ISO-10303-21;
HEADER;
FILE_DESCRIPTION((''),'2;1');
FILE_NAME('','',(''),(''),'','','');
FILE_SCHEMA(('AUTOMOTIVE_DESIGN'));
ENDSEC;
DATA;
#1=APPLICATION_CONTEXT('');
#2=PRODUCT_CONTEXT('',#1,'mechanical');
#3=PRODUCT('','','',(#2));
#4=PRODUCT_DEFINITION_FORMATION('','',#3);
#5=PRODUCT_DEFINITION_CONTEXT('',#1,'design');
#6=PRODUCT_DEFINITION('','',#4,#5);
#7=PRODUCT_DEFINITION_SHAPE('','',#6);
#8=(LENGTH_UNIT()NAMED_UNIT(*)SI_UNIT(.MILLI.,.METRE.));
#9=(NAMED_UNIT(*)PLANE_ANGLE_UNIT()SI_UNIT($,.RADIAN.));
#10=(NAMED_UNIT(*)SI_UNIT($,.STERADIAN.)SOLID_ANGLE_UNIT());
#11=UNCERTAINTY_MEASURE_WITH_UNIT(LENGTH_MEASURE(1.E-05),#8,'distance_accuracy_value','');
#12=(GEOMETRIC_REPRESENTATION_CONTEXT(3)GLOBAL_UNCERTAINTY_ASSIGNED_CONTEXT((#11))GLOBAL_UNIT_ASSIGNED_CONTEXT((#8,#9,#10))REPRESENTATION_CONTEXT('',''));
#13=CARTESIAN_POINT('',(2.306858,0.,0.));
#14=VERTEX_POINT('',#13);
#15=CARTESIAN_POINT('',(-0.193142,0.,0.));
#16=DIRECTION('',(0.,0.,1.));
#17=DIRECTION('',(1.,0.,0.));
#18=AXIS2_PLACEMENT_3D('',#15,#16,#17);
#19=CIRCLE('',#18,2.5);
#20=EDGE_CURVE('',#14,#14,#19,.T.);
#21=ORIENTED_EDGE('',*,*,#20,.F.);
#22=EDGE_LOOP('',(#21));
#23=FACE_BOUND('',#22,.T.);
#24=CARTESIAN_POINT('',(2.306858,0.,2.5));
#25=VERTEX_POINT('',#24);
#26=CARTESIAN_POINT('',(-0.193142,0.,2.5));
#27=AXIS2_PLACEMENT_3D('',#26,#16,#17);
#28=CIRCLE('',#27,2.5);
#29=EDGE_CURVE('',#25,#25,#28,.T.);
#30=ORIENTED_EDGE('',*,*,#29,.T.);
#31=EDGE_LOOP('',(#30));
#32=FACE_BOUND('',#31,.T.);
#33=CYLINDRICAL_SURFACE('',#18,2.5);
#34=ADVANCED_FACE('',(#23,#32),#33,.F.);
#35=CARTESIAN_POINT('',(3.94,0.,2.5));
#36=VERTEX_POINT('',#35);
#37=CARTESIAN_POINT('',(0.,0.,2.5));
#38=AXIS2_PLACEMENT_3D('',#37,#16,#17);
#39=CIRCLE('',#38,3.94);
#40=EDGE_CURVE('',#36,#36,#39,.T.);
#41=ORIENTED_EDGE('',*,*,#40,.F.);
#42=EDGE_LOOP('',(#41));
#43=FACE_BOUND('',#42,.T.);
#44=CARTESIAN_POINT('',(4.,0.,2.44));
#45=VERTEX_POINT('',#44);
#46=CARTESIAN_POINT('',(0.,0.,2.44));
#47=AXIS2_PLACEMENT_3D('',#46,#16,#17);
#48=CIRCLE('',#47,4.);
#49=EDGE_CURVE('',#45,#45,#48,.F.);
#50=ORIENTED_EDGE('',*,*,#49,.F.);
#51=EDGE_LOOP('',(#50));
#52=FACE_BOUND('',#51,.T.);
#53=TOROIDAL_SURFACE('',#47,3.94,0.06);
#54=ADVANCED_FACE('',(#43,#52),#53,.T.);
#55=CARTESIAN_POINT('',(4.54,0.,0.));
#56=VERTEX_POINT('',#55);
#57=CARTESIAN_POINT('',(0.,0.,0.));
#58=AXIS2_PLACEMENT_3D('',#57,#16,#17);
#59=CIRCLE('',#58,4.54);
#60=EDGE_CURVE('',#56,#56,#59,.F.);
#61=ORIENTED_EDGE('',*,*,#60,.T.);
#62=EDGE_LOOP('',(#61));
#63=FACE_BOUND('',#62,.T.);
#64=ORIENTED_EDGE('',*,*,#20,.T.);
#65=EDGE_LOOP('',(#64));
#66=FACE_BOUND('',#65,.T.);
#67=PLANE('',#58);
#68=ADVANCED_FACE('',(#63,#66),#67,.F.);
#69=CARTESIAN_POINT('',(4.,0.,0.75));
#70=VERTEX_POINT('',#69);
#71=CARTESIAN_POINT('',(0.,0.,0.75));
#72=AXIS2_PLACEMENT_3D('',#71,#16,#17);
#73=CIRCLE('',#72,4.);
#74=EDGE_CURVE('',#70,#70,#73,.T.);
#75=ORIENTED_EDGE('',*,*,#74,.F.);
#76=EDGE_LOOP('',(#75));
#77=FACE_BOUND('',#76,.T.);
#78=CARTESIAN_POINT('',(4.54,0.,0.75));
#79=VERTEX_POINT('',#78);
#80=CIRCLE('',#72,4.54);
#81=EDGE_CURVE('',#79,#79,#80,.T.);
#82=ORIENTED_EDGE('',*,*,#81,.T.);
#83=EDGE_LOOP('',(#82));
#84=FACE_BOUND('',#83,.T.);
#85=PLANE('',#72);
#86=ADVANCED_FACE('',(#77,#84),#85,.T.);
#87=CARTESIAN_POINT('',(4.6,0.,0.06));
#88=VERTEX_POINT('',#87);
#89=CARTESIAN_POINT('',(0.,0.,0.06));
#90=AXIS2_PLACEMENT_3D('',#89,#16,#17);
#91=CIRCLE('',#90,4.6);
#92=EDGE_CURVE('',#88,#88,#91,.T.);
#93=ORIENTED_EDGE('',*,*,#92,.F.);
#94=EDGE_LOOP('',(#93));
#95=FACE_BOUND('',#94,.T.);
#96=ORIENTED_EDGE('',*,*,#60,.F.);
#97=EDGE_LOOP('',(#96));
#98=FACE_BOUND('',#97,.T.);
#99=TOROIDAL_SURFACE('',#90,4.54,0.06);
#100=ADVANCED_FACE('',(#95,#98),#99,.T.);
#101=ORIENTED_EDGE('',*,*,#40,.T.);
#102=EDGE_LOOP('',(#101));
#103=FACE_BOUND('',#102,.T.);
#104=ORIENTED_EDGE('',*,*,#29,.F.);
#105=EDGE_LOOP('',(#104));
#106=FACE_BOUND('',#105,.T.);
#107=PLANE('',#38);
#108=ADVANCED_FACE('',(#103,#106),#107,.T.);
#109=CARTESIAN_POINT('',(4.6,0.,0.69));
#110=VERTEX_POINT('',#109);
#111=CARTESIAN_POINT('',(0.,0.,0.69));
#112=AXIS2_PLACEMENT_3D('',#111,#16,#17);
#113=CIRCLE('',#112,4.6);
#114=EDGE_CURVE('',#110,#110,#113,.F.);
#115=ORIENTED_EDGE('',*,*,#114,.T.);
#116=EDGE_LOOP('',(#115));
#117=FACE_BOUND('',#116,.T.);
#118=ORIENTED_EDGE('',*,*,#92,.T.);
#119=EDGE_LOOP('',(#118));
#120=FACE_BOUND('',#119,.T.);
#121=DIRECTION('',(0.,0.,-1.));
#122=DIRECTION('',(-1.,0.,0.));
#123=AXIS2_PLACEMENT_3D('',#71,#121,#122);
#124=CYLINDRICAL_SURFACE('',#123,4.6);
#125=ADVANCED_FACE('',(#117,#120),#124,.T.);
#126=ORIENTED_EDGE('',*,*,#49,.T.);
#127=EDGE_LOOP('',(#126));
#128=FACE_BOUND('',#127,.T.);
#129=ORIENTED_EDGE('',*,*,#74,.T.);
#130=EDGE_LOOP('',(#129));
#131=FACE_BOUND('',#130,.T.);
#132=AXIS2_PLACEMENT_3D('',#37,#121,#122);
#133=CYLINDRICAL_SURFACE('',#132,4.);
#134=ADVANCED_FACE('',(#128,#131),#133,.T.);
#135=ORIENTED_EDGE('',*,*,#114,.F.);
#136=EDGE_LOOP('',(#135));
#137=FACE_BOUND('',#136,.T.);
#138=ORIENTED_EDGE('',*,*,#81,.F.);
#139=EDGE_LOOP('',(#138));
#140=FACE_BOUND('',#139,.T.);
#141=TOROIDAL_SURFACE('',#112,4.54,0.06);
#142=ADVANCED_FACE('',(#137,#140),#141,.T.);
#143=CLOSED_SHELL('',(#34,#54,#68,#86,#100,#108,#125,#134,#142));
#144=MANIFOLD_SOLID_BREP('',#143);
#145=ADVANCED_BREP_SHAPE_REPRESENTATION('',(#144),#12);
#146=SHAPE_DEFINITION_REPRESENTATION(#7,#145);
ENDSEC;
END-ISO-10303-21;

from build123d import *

# Parameters (mm, degrees)
SKETCH1_R           = 4.6
BOSS_EXTRUDE1_DEPTH = 0.75
SKETCH2_R           = 4
BOSS_EXTRUDE2_DEPTH = 1.75
SKETCH3_R           = 2.5
CUT_EXTRUDE1_DEPTH  = 3.5
FILLET1_R           = 0.06


with BuildPart() as part:
    # Sketch1 → Boss-Extrude1 (new body)
    with BuildSketch(Plane.XY):
        Circle(SKETCH1_R)
    extrude(amount=BOSS_EXTRUDE1_DEPTH)

    # Sketch2 → Boss-Extrude2 (add)
    with BuildSketch(Plane.XY.offset(0.75)):
        Circle(SKETCH2_R)
    extrude(amount=BOSS_EXTRUDE2_DEPTH)

    # Sketch3 → Cut-Extrude1 (cut, through all)
    with BuildSketch(Plane.XY.offset(2.5)):
        with Locations((-0.193142298, 0)):
            Circle(SKETCH3_R)
    extrude(amount=-CUT_EXTRUDE1_DEPTH, mode=Mode.SUBTRACT)

    # Fillet1
    fillet1_edges = [part.edges().sort_by_distance(p)[0] for p in [
        (-4.6, 0, 0),
        (-4.6, 0, 0.75),
        (-4, 0, 2.5),
    ]]
    fillet(fillet1_edges, radius=FILLET1_R)


solid = part.part
